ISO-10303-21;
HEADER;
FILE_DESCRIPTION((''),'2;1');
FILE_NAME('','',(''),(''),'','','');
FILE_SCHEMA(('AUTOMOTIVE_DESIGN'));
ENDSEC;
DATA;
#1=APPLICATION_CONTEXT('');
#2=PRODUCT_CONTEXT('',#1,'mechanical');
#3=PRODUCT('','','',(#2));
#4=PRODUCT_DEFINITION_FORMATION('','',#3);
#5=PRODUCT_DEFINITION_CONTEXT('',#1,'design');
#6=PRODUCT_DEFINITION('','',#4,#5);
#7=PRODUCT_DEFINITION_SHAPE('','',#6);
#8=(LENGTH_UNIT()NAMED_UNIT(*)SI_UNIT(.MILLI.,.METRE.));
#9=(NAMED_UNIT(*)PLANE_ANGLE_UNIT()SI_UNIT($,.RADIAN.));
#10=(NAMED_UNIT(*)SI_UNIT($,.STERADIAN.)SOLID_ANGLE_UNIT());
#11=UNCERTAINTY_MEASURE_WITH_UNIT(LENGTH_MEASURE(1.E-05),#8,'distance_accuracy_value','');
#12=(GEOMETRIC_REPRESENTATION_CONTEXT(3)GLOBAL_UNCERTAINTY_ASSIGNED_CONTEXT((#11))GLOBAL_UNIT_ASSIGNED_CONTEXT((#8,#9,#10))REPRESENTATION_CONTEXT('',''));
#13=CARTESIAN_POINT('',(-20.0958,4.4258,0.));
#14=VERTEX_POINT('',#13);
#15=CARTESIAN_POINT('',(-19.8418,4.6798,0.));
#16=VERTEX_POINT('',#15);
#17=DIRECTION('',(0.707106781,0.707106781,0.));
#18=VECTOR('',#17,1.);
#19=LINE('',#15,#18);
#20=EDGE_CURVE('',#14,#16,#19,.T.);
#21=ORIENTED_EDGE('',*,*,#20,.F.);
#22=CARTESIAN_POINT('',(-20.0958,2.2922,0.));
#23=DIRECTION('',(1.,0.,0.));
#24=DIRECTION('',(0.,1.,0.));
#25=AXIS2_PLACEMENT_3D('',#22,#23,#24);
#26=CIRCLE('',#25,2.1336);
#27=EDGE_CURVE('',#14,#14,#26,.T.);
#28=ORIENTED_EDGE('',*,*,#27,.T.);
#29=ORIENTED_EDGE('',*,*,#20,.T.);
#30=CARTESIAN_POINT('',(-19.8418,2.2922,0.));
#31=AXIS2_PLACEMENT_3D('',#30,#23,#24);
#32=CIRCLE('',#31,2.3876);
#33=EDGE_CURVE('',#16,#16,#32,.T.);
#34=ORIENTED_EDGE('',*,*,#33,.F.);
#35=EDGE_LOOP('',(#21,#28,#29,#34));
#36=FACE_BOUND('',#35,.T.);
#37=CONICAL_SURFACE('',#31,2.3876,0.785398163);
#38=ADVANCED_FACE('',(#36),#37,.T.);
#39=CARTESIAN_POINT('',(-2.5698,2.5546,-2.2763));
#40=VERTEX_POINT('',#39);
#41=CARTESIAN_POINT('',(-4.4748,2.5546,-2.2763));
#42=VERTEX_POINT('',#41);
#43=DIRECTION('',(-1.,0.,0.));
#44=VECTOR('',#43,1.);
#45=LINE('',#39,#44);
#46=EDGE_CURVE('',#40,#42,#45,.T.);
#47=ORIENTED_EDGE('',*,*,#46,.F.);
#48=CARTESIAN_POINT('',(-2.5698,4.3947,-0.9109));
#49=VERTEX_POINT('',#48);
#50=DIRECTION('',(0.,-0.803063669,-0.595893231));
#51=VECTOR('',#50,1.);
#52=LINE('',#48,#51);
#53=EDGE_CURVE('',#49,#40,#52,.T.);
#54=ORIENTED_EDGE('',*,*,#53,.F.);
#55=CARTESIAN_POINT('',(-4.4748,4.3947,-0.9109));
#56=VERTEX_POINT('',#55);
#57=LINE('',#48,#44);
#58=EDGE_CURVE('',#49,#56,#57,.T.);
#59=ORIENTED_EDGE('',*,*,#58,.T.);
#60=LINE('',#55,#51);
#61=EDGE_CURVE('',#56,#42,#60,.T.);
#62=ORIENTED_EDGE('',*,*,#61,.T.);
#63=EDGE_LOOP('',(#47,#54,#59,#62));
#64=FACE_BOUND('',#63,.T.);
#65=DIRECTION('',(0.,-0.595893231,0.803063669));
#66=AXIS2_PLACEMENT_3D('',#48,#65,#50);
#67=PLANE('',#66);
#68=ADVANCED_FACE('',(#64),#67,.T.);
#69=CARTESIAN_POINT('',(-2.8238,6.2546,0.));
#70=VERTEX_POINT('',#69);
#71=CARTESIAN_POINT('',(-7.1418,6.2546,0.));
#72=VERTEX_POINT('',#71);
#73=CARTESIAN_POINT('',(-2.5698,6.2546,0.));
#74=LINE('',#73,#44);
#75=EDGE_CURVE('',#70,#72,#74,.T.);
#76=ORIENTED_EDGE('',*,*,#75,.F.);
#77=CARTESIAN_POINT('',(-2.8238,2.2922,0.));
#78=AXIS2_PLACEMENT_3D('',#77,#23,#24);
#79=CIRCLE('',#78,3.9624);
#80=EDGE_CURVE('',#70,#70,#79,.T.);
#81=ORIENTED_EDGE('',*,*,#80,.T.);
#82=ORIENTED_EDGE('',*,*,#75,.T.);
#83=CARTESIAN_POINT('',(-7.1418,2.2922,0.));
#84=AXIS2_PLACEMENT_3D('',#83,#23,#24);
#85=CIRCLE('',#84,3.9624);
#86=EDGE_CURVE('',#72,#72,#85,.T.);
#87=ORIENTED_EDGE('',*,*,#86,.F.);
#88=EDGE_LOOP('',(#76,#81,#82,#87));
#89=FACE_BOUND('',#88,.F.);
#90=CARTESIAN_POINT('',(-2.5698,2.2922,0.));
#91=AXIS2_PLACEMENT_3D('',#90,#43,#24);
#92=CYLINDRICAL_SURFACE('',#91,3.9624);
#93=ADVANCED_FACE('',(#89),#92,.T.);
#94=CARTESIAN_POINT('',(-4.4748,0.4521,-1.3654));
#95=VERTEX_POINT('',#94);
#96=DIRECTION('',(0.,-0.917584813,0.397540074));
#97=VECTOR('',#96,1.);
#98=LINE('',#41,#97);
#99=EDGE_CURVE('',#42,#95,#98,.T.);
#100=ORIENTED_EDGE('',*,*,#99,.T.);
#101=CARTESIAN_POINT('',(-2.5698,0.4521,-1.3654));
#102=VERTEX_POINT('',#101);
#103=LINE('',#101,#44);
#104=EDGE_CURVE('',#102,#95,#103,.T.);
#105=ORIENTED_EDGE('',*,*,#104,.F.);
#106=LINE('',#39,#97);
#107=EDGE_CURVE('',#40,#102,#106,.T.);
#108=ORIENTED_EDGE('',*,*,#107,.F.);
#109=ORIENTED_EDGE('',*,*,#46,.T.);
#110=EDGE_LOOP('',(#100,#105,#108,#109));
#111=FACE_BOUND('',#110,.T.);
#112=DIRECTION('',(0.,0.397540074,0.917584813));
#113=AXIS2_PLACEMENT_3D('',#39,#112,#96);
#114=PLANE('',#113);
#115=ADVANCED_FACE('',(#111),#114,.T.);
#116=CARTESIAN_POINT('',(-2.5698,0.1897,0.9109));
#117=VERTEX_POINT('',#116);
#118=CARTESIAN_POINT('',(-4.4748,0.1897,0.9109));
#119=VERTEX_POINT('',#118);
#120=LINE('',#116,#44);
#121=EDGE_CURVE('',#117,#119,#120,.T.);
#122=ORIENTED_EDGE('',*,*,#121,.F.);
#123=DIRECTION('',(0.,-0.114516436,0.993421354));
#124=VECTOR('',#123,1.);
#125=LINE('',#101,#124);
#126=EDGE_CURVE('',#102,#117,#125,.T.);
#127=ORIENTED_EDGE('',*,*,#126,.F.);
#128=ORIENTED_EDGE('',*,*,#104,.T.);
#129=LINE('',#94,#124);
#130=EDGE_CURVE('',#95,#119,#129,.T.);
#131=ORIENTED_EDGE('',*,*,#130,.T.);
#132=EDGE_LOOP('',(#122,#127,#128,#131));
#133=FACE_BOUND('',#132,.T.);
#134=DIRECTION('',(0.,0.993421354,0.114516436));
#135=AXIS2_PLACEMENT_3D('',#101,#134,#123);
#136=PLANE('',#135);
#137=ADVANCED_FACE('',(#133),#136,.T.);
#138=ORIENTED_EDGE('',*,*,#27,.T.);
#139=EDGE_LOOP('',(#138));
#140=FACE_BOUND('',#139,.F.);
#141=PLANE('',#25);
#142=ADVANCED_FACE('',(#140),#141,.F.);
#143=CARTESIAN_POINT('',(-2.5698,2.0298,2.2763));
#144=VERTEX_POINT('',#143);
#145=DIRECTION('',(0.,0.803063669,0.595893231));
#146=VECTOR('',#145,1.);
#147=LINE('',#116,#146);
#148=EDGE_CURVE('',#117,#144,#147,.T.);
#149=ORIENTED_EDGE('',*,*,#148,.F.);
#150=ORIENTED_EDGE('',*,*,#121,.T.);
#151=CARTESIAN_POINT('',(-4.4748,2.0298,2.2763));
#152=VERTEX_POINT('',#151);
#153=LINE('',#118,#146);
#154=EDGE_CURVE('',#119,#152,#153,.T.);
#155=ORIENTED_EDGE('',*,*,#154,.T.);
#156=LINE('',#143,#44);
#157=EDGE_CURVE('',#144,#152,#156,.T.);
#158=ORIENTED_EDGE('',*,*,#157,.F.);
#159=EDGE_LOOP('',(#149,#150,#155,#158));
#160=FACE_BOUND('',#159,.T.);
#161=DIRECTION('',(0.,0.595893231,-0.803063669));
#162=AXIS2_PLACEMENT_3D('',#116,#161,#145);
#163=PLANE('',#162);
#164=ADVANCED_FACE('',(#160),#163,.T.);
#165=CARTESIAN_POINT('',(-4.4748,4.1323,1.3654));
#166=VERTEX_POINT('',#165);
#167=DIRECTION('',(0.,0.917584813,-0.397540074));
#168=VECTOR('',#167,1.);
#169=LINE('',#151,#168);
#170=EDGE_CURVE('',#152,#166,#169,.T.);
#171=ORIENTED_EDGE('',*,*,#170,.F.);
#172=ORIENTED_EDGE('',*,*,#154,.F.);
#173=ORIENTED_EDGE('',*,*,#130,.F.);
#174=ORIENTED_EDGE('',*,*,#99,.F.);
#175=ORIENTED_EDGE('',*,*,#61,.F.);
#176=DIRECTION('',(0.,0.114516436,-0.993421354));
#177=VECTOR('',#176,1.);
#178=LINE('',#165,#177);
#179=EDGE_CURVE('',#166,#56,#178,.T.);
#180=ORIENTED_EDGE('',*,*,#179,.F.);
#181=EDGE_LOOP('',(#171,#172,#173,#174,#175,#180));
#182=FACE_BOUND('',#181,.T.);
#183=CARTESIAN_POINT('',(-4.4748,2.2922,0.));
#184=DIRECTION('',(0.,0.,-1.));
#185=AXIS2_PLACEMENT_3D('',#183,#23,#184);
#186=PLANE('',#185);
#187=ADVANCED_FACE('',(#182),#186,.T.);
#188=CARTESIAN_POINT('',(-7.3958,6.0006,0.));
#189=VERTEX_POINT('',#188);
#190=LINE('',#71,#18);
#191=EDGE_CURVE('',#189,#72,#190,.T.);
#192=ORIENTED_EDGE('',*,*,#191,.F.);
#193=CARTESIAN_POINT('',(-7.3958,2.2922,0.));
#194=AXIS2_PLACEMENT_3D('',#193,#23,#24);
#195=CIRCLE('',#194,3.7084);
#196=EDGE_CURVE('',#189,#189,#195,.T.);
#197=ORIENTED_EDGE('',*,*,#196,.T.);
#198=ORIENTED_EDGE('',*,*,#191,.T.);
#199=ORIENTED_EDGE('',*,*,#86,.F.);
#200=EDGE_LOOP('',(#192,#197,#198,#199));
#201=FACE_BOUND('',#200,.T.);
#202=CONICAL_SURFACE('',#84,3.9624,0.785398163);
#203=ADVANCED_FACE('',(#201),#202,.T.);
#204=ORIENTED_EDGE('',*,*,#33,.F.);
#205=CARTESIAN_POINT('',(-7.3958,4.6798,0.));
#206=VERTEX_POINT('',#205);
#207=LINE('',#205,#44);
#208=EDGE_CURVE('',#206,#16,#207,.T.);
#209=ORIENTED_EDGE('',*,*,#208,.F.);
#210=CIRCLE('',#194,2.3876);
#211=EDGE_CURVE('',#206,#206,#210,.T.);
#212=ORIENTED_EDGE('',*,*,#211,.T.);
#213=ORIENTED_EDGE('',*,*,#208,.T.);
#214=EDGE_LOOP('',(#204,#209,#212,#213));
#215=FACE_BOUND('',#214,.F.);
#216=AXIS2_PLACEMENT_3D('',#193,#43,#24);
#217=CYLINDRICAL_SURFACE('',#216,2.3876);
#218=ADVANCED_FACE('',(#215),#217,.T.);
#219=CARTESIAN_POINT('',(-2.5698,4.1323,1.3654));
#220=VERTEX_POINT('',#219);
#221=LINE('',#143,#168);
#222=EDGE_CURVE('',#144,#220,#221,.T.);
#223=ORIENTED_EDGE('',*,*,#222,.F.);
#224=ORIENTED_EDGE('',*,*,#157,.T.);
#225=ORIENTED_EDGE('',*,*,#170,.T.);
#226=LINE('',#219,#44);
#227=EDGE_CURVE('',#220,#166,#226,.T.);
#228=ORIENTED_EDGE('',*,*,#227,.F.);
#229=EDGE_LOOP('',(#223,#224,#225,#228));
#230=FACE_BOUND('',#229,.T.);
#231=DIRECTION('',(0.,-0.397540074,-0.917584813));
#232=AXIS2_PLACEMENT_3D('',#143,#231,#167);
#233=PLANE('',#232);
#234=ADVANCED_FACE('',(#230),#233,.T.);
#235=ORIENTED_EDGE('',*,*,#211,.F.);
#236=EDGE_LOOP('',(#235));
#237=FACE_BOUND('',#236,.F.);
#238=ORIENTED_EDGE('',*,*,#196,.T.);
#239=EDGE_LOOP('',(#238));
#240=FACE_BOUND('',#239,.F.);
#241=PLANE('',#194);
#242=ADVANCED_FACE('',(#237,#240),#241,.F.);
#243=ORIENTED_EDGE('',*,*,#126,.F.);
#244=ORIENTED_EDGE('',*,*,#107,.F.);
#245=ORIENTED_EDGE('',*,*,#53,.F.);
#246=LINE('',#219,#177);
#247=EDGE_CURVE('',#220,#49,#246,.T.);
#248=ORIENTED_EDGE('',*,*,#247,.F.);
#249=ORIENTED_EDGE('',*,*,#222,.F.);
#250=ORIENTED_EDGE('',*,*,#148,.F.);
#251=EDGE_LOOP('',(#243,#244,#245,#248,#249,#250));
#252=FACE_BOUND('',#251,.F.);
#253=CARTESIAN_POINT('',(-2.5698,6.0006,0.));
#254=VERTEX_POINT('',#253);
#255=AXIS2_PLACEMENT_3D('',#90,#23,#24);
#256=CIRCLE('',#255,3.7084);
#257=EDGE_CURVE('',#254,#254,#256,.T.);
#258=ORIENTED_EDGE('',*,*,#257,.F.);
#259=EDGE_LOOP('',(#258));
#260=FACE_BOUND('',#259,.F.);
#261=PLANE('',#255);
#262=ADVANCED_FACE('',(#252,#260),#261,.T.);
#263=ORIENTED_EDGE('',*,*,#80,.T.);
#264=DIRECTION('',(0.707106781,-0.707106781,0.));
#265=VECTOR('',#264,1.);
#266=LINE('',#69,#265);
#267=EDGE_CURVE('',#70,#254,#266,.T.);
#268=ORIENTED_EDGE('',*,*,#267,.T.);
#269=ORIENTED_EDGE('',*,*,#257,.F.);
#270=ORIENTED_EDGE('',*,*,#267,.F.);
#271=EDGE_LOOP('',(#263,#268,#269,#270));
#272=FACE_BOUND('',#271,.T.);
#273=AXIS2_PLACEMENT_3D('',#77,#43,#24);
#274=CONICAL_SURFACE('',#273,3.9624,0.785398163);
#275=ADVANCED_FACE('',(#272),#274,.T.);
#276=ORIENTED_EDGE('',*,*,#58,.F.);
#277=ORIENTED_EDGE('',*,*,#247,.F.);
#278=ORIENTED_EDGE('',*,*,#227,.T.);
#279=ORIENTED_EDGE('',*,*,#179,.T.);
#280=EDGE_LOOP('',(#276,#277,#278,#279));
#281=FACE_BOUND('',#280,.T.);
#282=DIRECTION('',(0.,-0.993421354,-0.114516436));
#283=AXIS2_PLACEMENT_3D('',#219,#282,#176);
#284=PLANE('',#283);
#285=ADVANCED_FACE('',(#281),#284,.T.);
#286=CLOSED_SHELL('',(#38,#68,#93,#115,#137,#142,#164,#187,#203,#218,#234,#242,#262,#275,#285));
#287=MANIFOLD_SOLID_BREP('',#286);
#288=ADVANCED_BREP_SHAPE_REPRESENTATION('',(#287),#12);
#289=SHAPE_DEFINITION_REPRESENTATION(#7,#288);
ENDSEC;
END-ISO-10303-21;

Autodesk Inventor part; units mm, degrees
ref_plane "YZ Plane" through (0, 0, 0) normal (1, 0, 0) x (0, 1, 0)
ref_plane "XZ Plane" through (0, 0, 0) normal (0, 1, 0) x (-1, 0, 0)
ref_plane "XY Plane" through (0, 0, 0) normal (0, 0, 1) x (1, 0, 0)
sketch "Sketch1" plane through (0, 0, 0) normal (0, 0, 1) x (1, 0, 0)
  line L0 (-20.0958, 2.2922) -> (-2.5698, 2.2922)
  line L1 (-2.5698, 2.2922) -> (-2.5698, 6.2546)
  line L2 (-2.5698, 6.2546) -> (-7.3958, 6.2546)
  line L3 (-7.3958, 6.2546) -> (-7.3958, 4.6798)
  line L4 (-7.3958, 4.6798) -> (-20.0958, 4.6798)
  line L5 (-20.0958, 4.6798) -> (-20.0958, 2.2922)
  dimension "d0" = 12.7
  dimension "d1" = 2.3876
  dimension "d2" = 4.826
  dimension "d3" = 3.9624
revolve "Revolution1" add sketch "Sketch1" angle 360 about axis through (-20.0958, 2.2922, 0) along (1, 0, 0)
thread "Thread1" size "10-24 UNC" class "2A" standard "ANSI Unified Screw Threads" full length
sketch "Sketch2" plane through (-2.5698, 2.2922, 0) normal (1, 0, 0) x (0, 0, -1)
  circle A0 centre (0, 0) radius 3.9624 projected
  line L0 (-1.3654, 1.8401) -> (0.9109, 2.1025)
  line L1 (0.9109, 2.1025) -> (2.2763, 0.2624)
  line L2 (2.2763, 0.2624) -> (1.3654, -1.8401)
  line L3 (1.3654, -1.8401) -> (-0.9109, -2.1025)
  line L4 (-0.9109, -2.1025) -> (-2.2763, -0.2624)
  line L5 (-2.2763, -0.2624) -> (-1.3654, 1.8401)
  dimension "d18" = 3.9688
extrude "Extrusion1" cut sketch "Sketch2" against normal blind 1.905 contours L0 L1 L2 L3 L4 L5
chamfer "Chamfer1" distance 0.254 angle 45 3 edges at (-2.5698, -1.6702, 0) (-7.3958, -1.6702, 0) (-20.0958, -0.0954, 0)
properties part number "HW-00070"
